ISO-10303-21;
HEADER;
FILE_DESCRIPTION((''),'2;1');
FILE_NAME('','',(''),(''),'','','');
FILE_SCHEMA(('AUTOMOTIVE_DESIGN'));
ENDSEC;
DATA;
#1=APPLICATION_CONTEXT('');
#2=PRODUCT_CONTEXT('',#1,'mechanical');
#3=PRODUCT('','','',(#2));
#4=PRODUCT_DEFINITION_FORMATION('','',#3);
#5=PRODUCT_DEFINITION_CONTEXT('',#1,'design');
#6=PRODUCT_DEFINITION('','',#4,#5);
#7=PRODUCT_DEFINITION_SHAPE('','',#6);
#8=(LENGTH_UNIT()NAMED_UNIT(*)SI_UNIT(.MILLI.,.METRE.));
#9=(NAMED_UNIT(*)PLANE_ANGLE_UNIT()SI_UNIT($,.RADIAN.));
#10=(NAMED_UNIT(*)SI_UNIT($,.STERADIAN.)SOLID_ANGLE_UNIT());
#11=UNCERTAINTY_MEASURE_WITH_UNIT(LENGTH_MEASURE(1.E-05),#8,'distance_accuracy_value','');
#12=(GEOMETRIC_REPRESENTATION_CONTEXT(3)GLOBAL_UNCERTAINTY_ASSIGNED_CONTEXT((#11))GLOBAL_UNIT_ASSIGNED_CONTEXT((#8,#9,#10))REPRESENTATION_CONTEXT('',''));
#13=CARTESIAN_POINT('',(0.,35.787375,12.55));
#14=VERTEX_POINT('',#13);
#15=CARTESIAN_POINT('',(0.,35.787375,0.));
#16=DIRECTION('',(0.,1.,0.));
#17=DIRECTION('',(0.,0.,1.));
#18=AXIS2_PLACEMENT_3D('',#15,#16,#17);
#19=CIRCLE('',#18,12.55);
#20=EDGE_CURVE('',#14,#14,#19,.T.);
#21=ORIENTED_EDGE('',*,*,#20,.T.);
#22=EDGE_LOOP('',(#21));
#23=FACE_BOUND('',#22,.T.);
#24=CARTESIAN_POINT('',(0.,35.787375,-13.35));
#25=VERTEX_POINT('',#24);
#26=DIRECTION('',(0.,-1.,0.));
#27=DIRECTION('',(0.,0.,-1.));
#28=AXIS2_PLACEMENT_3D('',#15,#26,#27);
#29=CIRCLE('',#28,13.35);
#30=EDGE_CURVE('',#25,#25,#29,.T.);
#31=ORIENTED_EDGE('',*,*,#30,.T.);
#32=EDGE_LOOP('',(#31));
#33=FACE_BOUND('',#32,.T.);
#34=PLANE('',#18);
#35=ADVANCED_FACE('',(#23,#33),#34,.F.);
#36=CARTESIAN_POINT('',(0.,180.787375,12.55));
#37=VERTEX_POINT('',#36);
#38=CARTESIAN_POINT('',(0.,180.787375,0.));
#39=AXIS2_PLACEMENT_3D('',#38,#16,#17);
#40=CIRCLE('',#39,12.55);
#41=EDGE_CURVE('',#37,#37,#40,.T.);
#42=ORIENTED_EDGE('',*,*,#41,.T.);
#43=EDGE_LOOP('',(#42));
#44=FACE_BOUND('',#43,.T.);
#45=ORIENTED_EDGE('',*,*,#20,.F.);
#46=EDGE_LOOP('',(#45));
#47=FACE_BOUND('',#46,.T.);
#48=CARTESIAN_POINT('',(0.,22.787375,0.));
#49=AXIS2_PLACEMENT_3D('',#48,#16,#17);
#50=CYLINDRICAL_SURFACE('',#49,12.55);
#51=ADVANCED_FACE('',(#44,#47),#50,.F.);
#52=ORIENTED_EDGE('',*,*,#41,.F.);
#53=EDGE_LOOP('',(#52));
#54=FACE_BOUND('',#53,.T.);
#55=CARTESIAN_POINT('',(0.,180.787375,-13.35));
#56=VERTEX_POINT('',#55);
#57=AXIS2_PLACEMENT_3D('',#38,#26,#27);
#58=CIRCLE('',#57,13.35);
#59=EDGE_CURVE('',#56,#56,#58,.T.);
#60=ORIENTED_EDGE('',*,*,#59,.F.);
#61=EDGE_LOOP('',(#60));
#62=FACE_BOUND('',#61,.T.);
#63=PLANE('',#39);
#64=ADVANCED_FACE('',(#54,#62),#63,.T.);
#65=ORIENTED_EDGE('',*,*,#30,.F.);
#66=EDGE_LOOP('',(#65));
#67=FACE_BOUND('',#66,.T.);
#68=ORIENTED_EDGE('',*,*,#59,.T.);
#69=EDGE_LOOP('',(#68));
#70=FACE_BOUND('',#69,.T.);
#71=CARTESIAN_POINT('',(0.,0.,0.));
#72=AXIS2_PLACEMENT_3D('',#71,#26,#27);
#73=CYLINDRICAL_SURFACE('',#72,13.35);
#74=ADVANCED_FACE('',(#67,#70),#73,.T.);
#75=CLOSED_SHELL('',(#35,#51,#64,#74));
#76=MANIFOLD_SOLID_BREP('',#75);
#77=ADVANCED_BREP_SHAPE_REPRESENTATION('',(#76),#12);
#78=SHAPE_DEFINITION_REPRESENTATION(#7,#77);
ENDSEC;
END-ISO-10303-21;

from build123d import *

# Parameters (mm, degrees)
SKETCH1_W          = 13.35
SKETCH1_H          = 145
SKETCH2_R          = 12.55
CUT_EXTRUDE1_DEPTH = 158


with BuildPart() as part:
    # Sketch1 → Revolve1 (revolve)
    with BuildSketch(Plane.XY, mode=Mode.PRIVATE) as revolve1_sk:
        with Locations((-6.675, 108.28737529)):
            Rectangle(SKETCH1_W, SKETCH1_H)
    revolve(revolve1_sk.sketch.rotate(Axis((0, 0, 0), (0, 1, 0)), 270), axis=Axis((0, 0, 0), (0, 1, 0)))

    # Sketch2 → Cut-Extrude1 (cut)
    with BuildSketch(Plane(origin=(0, 180.78737529, 0), x_dir=(1, 0, 0), z_dir=(0, 1, 0))):
        with Locations(Location((0, 0, 0), (0, 0, 270))):
            Circle(SKETCH2_R)
    extrude(amount=-CUT_EXTRUDE1_DEPTH, mode=Mode.SUBTRACT)


solid = part.part
